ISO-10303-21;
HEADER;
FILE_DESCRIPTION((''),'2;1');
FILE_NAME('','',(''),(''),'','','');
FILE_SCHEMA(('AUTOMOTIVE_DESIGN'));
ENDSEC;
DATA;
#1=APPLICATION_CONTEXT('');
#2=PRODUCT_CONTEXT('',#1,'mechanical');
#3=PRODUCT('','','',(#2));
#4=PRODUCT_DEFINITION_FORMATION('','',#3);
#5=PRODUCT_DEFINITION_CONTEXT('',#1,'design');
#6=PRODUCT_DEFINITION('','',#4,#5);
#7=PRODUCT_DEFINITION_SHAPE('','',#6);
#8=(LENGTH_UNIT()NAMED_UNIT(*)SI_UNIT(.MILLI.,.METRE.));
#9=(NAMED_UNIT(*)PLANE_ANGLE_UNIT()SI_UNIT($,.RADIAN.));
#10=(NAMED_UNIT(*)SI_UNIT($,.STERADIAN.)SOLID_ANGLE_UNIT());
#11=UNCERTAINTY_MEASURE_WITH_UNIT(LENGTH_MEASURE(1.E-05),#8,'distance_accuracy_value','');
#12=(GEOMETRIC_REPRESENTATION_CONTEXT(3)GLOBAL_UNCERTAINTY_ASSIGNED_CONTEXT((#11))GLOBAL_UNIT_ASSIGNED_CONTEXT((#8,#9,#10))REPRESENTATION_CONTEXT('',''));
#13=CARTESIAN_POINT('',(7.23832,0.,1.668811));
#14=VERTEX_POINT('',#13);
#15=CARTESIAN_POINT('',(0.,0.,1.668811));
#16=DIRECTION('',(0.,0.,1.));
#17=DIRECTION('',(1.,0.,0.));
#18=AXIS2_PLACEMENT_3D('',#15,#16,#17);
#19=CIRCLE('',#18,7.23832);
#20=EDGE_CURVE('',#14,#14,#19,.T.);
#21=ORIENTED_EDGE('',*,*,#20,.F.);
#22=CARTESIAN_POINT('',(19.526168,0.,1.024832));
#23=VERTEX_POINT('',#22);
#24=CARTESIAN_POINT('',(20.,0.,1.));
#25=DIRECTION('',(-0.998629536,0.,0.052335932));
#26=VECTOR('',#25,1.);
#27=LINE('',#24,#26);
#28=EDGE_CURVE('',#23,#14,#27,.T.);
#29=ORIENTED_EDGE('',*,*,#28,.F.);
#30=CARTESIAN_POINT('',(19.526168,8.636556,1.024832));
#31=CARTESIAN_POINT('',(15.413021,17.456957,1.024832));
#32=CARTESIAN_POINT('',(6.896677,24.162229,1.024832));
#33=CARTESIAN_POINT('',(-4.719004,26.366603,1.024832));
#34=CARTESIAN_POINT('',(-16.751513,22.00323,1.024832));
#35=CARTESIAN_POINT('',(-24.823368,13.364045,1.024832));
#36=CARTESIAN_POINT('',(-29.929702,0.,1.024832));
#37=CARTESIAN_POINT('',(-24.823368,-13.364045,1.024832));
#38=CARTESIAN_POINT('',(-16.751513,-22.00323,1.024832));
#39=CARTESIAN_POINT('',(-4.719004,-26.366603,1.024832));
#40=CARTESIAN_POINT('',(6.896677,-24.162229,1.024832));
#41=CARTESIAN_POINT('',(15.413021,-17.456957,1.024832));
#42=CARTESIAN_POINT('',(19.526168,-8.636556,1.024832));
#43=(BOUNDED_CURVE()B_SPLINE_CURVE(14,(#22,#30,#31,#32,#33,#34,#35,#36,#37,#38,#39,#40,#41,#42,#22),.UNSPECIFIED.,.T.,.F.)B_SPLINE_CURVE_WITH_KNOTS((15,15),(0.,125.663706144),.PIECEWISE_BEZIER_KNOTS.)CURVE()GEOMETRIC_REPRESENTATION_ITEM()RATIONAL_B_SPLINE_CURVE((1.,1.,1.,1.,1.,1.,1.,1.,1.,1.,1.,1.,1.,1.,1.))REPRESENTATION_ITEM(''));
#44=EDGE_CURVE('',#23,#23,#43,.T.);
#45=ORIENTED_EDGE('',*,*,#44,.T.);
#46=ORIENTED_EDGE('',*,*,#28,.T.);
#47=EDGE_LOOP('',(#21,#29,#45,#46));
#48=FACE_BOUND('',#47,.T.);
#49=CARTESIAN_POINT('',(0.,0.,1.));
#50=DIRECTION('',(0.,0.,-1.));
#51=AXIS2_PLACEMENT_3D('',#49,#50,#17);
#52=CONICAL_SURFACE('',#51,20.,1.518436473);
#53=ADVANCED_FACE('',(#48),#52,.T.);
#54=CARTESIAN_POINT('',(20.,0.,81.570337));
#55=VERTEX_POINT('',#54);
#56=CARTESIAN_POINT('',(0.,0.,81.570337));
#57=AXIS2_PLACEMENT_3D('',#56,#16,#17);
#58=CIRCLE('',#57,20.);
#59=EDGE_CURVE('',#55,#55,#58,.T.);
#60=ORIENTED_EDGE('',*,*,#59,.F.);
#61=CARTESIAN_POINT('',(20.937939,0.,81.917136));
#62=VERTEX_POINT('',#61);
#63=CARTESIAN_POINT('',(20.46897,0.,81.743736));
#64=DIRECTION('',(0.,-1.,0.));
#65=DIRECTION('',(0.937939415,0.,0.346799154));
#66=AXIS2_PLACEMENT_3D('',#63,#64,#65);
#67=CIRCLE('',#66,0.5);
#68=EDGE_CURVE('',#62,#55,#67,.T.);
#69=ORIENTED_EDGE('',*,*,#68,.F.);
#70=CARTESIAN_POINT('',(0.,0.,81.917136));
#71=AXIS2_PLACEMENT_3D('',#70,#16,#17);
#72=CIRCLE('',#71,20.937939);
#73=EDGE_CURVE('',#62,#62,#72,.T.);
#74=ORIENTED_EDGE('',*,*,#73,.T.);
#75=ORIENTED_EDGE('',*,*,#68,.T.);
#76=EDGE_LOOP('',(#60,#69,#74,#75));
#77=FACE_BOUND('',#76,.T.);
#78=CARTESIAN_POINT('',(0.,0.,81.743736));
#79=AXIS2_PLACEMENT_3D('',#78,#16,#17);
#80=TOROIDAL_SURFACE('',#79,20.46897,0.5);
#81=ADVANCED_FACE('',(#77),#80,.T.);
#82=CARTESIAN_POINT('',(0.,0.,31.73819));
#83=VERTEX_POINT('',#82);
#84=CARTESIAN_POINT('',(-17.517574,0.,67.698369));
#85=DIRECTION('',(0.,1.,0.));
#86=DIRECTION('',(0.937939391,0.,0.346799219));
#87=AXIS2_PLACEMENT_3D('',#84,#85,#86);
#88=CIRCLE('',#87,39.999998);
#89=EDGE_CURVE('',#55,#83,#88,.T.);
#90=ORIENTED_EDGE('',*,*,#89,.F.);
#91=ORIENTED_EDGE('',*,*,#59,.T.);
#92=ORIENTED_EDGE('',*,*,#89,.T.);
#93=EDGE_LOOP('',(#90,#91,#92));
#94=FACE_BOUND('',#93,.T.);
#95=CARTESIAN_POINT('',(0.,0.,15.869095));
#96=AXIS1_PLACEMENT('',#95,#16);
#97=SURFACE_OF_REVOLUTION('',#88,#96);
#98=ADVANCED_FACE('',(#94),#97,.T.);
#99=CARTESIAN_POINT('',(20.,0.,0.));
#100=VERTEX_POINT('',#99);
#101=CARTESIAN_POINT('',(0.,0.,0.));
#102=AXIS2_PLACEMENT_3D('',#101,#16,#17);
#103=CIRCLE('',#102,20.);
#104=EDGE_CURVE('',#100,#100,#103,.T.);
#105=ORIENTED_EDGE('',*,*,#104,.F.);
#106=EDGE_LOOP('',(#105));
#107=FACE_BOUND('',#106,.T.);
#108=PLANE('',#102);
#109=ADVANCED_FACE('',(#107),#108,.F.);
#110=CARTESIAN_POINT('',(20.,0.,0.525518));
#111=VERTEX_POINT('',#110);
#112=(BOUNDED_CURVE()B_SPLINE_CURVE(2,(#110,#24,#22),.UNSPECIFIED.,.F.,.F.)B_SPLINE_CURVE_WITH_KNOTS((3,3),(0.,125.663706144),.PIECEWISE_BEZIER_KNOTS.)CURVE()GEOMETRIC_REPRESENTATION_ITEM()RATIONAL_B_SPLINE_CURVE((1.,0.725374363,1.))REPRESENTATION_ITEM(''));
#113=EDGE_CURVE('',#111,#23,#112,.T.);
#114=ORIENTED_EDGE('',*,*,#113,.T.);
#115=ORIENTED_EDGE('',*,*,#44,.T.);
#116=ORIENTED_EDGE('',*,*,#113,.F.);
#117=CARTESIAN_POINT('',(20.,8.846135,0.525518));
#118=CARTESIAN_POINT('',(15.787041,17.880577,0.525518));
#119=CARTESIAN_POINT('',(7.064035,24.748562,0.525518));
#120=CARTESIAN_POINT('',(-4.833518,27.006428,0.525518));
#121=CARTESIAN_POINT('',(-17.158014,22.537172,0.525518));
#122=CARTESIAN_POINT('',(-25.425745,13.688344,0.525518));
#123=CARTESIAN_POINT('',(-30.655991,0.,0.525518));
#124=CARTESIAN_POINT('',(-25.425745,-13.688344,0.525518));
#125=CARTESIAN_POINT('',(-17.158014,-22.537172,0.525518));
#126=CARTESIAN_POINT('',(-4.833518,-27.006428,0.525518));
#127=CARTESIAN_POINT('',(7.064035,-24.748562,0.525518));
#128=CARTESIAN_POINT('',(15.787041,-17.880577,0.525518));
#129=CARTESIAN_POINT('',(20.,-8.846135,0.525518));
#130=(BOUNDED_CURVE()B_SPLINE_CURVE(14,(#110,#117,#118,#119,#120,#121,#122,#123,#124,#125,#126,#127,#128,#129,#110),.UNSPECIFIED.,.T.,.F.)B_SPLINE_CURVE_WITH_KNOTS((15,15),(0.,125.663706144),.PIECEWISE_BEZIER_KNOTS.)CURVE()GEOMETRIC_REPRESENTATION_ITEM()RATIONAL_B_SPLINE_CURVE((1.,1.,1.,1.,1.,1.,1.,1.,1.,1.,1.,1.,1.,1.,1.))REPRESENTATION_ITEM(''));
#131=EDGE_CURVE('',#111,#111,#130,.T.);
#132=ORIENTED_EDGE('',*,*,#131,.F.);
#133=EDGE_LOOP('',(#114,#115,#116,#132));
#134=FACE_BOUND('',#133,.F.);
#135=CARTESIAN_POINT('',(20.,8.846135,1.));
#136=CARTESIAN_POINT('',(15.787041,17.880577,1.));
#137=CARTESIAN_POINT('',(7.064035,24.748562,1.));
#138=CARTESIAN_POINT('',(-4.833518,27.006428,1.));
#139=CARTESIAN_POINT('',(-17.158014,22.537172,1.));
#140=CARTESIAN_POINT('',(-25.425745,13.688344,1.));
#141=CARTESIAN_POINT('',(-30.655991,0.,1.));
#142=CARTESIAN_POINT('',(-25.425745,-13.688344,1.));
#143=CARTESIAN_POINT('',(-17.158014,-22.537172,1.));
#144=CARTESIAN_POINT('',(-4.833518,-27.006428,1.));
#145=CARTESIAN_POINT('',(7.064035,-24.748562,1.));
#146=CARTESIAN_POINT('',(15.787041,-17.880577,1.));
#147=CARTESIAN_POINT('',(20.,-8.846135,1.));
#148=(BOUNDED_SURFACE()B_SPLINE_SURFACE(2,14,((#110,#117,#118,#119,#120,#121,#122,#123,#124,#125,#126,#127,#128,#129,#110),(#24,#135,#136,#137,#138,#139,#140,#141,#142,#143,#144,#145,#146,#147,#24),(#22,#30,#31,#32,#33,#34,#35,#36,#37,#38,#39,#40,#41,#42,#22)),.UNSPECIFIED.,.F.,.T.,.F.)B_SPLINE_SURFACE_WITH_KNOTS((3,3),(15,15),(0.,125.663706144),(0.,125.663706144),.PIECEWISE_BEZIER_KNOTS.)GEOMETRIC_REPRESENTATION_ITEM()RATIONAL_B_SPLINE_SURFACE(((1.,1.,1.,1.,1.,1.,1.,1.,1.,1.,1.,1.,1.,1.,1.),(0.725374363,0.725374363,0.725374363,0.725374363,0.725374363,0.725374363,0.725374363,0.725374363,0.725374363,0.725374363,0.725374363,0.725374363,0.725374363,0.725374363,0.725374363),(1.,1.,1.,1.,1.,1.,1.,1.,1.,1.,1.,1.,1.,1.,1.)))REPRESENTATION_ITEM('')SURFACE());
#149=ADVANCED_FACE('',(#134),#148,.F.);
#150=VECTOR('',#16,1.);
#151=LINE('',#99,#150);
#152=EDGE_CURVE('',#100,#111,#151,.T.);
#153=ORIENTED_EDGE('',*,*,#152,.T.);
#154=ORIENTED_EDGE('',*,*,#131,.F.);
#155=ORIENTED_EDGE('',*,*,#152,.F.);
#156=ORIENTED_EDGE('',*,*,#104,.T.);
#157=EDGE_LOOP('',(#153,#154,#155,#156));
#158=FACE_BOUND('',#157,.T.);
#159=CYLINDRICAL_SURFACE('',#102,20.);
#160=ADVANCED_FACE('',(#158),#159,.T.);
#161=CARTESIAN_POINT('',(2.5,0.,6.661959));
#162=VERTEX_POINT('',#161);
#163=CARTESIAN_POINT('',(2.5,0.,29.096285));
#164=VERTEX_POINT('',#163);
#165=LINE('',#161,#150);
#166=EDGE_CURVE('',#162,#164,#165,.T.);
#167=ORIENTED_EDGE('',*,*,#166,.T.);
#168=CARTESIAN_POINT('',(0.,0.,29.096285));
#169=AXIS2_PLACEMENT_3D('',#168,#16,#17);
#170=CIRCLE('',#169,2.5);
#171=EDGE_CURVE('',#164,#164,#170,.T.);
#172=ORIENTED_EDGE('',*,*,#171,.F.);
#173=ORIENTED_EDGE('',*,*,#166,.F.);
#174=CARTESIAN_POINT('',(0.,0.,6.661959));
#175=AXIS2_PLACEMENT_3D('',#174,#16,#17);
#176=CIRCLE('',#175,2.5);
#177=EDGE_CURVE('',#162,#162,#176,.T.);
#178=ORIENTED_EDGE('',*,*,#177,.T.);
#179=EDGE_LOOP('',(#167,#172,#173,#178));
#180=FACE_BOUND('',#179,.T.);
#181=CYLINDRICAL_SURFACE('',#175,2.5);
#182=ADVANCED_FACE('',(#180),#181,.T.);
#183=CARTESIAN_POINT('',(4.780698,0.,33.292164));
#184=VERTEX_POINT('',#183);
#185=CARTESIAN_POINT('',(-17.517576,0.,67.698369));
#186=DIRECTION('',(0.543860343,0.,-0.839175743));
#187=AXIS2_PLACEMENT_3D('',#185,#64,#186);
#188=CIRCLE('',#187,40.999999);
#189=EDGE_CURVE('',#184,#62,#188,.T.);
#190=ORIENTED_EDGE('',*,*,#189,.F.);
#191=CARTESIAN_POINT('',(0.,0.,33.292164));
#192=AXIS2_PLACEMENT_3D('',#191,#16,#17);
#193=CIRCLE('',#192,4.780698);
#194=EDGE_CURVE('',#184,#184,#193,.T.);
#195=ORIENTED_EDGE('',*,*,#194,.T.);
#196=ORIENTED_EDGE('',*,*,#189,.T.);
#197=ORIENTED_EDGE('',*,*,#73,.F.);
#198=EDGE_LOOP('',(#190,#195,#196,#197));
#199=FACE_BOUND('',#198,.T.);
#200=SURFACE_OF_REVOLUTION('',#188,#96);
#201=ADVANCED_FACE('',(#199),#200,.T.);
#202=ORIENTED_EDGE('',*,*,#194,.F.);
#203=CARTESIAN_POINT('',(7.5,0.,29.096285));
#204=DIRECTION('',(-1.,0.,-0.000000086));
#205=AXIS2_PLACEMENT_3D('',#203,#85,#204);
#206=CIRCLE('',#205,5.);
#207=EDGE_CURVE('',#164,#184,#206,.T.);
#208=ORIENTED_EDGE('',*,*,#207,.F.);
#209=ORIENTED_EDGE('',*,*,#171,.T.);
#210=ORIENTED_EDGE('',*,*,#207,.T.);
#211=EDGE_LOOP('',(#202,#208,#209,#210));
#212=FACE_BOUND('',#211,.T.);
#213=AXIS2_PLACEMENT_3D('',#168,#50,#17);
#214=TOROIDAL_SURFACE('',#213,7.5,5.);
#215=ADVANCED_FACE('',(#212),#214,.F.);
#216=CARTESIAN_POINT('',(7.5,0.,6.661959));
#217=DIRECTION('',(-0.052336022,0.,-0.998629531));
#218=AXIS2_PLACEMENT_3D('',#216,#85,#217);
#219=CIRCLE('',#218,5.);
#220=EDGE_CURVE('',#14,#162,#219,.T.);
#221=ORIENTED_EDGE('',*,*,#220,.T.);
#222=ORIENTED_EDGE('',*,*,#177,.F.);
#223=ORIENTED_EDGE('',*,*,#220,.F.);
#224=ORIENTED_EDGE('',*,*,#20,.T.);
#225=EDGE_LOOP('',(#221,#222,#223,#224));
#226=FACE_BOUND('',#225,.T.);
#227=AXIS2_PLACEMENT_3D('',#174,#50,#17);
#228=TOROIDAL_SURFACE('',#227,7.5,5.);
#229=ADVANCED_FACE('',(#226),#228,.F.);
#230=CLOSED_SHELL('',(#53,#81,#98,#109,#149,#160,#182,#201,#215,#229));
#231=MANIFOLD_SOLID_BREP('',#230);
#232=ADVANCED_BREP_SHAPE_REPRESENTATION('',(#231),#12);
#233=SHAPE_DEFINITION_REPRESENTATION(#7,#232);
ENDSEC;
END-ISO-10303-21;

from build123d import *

# Parameters (mm, degrees)
F2_R = 0.5


with BuildPart() as f1:
    # F0 (on Front) → F1 (revolve)
    with BuildSketch(Plane.XZ):
        with BuildLine():
            Line((0, 31.73819), (0, 0))
            Line((0, 0), (20, 0))
            Line((20, 0), (20, 1))
            Line((20, 1), (7.23832, 1.668811))
            ThreePointArc((7.23832, 1.668811), (3.873128, 3.220186), (2.5, 6.661959))
            Line((2.5, 6.661959), (2.5, 29.096285))
            ThreePointArc((2.5, 29.096285), (3.107022, 31.484118), (4.780698, 33.292164))
            ThreePointArc((4.780698, 33.292164), (21.390684, 54.769824), (20.937939, 81.917136))
            ThreePointArc((20.937939, 81.917136), (20.29557, 82.212706), (20, 81.570337))
            ThreePointArc((20, 81.570337), (19.60422, 52.799635), (0, 31.73819))
        make_face()
    revolve(axis=Axis((0, 0, 15.869095), (0, 0, 1)))

    # F2
    f2_edges = [f1.edges().sort_by_distance(p)[0] for p in [
        (-20, 0, 1),
    ]]
    fillet(f2_edges, radius=F2_R)


solid = f1.part
